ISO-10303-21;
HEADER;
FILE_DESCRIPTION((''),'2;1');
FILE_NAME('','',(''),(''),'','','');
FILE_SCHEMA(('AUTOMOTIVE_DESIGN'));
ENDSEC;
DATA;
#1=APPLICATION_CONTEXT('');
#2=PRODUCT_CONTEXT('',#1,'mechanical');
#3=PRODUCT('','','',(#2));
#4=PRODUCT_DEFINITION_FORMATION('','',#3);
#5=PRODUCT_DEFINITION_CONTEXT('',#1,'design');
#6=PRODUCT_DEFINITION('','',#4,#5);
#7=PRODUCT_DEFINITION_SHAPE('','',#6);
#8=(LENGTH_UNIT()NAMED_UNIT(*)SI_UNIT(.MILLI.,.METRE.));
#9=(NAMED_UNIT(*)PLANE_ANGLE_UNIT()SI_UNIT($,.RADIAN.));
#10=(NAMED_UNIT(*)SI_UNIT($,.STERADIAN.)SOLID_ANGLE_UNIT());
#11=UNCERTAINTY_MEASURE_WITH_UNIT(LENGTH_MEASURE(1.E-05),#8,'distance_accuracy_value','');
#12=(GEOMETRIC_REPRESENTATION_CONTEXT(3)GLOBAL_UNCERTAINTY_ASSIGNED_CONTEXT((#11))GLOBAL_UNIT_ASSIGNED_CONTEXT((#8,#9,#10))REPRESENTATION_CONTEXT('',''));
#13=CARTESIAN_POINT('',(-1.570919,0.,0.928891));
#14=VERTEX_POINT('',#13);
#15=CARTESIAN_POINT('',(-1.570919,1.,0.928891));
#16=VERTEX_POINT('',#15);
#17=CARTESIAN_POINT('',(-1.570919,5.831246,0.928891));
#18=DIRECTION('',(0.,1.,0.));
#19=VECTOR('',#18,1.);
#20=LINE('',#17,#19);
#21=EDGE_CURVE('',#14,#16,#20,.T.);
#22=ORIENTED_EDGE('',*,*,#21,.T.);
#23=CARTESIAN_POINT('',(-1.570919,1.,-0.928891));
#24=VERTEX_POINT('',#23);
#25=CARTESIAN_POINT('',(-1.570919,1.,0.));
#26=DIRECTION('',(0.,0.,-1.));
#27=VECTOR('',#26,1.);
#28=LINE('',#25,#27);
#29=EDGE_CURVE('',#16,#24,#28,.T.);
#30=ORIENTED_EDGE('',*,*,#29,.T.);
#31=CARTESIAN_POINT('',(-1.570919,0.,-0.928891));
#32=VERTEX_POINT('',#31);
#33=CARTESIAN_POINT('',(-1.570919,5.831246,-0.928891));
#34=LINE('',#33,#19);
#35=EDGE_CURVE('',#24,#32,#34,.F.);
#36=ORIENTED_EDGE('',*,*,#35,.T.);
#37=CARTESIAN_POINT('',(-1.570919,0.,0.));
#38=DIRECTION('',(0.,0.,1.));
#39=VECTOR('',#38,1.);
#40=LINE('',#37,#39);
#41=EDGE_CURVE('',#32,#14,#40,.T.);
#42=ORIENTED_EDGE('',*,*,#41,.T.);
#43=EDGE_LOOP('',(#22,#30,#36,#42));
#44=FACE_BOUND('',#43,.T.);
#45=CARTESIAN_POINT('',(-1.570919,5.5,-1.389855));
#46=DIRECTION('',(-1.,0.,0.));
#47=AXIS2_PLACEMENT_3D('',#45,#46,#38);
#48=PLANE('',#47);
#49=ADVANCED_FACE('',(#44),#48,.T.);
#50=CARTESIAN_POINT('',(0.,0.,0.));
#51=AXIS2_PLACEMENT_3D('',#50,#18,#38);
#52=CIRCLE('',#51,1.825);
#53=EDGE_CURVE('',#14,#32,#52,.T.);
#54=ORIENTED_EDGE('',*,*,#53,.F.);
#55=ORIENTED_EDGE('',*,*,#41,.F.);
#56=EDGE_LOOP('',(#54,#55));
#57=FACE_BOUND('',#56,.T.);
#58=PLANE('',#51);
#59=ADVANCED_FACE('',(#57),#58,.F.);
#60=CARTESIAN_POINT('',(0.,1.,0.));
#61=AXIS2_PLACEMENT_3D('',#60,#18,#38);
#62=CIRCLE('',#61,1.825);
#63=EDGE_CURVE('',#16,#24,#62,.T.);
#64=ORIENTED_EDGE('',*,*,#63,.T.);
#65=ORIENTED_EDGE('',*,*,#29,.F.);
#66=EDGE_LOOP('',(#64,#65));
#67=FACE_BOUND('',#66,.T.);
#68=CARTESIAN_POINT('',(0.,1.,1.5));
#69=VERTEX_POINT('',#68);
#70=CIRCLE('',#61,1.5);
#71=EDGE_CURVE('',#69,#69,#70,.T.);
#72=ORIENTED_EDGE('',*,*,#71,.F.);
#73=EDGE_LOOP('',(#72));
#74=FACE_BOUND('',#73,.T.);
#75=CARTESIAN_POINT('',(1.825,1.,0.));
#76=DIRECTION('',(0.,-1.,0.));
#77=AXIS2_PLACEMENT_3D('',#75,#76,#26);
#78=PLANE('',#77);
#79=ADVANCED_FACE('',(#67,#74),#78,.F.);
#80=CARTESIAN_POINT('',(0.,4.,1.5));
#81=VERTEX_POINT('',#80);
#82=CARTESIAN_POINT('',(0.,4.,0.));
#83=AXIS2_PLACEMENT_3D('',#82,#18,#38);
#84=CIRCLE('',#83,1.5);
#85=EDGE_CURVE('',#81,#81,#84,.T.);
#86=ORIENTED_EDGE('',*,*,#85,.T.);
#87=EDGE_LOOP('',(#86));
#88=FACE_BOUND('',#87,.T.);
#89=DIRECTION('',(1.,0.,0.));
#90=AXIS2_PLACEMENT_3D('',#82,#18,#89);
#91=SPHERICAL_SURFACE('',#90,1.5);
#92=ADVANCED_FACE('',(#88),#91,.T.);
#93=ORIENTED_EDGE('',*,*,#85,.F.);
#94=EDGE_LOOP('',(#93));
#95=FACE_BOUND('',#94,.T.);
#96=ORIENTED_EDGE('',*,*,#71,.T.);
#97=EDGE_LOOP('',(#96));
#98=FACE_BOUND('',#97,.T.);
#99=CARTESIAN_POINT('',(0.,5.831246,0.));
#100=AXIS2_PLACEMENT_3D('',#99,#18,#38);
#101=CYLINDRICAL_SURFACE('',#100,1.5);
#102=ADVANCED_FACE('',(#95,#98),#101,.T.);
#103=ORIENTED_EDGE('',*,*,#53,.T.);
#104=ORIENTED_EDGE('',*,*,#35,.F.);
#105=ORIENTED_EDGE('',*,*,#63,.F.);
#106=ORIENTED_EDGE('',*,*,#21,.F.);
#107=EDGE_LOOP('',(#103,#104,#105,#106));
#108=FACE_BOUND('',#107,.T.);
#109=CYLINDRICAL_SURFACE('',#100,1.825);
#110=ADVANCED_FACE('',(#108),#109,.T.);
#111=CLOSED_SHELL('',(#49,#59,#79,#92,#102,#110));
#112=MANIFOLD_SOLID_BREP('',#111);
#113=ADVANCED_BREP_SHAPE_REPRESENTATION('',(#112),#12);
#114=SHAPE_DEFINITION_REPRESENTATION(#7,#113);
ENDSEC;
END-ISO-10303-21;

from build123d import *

# Parameters (mm, degrees)
CUT_EXTRUDE2_DEPTH      = 7.075462945
CUT_EXTRUDE2_DEPTH_BACK = 10


with BuildPart() as part:
    # Sketch1 → Revolve1 (revolve)
    with BuildSketch(Plane.XY, mode=Mode.PRIVATE) as revolve1_sk:
        with BuildLine():
            Line((0, 0), (1.825, 0))
            Line((1.825, 0), (1.825, 1))
            Line((1.825, 1), (1.5, 1))
            Line((1.5, 1), (1.5, 4))
            ThreePointArc((1.5, 4), (1.060660172, 5.060660172), (0, 5.5))
            Line((0, 5.5), (0, 0))
        make_face()
    revolve(revolve1_sk.sketch.rotate(Axis((0, 5.831246109, 0), (0, -1, 0)), 90), axis=Axis((0, 5.831246109, 0), (0, -1, 0)))

    # Sketch2 → Cut-Extrude2 (cut, two sides: drawn at the far end of the back side and taken through both)
    with BuildSketch(Plane(origin=(0, 0, 0), x_dir=(1, 0, 0), z_dir=(0, 1, 0)).offset(-CUT_EXTRUDE2_DEPTH_BACK)):
        Polygon((-1.570919179, 1.389855442), (-1.570919179, -1.604071694), (-2.626699276, -0.267770315), align=None)
    extrude(amount=CUT_EXTRUDE2_DEPTH + CUT_EXTRUDE2_DEPTH_BACK, mode=Mode.SUBTRACT)


solid = part.part
